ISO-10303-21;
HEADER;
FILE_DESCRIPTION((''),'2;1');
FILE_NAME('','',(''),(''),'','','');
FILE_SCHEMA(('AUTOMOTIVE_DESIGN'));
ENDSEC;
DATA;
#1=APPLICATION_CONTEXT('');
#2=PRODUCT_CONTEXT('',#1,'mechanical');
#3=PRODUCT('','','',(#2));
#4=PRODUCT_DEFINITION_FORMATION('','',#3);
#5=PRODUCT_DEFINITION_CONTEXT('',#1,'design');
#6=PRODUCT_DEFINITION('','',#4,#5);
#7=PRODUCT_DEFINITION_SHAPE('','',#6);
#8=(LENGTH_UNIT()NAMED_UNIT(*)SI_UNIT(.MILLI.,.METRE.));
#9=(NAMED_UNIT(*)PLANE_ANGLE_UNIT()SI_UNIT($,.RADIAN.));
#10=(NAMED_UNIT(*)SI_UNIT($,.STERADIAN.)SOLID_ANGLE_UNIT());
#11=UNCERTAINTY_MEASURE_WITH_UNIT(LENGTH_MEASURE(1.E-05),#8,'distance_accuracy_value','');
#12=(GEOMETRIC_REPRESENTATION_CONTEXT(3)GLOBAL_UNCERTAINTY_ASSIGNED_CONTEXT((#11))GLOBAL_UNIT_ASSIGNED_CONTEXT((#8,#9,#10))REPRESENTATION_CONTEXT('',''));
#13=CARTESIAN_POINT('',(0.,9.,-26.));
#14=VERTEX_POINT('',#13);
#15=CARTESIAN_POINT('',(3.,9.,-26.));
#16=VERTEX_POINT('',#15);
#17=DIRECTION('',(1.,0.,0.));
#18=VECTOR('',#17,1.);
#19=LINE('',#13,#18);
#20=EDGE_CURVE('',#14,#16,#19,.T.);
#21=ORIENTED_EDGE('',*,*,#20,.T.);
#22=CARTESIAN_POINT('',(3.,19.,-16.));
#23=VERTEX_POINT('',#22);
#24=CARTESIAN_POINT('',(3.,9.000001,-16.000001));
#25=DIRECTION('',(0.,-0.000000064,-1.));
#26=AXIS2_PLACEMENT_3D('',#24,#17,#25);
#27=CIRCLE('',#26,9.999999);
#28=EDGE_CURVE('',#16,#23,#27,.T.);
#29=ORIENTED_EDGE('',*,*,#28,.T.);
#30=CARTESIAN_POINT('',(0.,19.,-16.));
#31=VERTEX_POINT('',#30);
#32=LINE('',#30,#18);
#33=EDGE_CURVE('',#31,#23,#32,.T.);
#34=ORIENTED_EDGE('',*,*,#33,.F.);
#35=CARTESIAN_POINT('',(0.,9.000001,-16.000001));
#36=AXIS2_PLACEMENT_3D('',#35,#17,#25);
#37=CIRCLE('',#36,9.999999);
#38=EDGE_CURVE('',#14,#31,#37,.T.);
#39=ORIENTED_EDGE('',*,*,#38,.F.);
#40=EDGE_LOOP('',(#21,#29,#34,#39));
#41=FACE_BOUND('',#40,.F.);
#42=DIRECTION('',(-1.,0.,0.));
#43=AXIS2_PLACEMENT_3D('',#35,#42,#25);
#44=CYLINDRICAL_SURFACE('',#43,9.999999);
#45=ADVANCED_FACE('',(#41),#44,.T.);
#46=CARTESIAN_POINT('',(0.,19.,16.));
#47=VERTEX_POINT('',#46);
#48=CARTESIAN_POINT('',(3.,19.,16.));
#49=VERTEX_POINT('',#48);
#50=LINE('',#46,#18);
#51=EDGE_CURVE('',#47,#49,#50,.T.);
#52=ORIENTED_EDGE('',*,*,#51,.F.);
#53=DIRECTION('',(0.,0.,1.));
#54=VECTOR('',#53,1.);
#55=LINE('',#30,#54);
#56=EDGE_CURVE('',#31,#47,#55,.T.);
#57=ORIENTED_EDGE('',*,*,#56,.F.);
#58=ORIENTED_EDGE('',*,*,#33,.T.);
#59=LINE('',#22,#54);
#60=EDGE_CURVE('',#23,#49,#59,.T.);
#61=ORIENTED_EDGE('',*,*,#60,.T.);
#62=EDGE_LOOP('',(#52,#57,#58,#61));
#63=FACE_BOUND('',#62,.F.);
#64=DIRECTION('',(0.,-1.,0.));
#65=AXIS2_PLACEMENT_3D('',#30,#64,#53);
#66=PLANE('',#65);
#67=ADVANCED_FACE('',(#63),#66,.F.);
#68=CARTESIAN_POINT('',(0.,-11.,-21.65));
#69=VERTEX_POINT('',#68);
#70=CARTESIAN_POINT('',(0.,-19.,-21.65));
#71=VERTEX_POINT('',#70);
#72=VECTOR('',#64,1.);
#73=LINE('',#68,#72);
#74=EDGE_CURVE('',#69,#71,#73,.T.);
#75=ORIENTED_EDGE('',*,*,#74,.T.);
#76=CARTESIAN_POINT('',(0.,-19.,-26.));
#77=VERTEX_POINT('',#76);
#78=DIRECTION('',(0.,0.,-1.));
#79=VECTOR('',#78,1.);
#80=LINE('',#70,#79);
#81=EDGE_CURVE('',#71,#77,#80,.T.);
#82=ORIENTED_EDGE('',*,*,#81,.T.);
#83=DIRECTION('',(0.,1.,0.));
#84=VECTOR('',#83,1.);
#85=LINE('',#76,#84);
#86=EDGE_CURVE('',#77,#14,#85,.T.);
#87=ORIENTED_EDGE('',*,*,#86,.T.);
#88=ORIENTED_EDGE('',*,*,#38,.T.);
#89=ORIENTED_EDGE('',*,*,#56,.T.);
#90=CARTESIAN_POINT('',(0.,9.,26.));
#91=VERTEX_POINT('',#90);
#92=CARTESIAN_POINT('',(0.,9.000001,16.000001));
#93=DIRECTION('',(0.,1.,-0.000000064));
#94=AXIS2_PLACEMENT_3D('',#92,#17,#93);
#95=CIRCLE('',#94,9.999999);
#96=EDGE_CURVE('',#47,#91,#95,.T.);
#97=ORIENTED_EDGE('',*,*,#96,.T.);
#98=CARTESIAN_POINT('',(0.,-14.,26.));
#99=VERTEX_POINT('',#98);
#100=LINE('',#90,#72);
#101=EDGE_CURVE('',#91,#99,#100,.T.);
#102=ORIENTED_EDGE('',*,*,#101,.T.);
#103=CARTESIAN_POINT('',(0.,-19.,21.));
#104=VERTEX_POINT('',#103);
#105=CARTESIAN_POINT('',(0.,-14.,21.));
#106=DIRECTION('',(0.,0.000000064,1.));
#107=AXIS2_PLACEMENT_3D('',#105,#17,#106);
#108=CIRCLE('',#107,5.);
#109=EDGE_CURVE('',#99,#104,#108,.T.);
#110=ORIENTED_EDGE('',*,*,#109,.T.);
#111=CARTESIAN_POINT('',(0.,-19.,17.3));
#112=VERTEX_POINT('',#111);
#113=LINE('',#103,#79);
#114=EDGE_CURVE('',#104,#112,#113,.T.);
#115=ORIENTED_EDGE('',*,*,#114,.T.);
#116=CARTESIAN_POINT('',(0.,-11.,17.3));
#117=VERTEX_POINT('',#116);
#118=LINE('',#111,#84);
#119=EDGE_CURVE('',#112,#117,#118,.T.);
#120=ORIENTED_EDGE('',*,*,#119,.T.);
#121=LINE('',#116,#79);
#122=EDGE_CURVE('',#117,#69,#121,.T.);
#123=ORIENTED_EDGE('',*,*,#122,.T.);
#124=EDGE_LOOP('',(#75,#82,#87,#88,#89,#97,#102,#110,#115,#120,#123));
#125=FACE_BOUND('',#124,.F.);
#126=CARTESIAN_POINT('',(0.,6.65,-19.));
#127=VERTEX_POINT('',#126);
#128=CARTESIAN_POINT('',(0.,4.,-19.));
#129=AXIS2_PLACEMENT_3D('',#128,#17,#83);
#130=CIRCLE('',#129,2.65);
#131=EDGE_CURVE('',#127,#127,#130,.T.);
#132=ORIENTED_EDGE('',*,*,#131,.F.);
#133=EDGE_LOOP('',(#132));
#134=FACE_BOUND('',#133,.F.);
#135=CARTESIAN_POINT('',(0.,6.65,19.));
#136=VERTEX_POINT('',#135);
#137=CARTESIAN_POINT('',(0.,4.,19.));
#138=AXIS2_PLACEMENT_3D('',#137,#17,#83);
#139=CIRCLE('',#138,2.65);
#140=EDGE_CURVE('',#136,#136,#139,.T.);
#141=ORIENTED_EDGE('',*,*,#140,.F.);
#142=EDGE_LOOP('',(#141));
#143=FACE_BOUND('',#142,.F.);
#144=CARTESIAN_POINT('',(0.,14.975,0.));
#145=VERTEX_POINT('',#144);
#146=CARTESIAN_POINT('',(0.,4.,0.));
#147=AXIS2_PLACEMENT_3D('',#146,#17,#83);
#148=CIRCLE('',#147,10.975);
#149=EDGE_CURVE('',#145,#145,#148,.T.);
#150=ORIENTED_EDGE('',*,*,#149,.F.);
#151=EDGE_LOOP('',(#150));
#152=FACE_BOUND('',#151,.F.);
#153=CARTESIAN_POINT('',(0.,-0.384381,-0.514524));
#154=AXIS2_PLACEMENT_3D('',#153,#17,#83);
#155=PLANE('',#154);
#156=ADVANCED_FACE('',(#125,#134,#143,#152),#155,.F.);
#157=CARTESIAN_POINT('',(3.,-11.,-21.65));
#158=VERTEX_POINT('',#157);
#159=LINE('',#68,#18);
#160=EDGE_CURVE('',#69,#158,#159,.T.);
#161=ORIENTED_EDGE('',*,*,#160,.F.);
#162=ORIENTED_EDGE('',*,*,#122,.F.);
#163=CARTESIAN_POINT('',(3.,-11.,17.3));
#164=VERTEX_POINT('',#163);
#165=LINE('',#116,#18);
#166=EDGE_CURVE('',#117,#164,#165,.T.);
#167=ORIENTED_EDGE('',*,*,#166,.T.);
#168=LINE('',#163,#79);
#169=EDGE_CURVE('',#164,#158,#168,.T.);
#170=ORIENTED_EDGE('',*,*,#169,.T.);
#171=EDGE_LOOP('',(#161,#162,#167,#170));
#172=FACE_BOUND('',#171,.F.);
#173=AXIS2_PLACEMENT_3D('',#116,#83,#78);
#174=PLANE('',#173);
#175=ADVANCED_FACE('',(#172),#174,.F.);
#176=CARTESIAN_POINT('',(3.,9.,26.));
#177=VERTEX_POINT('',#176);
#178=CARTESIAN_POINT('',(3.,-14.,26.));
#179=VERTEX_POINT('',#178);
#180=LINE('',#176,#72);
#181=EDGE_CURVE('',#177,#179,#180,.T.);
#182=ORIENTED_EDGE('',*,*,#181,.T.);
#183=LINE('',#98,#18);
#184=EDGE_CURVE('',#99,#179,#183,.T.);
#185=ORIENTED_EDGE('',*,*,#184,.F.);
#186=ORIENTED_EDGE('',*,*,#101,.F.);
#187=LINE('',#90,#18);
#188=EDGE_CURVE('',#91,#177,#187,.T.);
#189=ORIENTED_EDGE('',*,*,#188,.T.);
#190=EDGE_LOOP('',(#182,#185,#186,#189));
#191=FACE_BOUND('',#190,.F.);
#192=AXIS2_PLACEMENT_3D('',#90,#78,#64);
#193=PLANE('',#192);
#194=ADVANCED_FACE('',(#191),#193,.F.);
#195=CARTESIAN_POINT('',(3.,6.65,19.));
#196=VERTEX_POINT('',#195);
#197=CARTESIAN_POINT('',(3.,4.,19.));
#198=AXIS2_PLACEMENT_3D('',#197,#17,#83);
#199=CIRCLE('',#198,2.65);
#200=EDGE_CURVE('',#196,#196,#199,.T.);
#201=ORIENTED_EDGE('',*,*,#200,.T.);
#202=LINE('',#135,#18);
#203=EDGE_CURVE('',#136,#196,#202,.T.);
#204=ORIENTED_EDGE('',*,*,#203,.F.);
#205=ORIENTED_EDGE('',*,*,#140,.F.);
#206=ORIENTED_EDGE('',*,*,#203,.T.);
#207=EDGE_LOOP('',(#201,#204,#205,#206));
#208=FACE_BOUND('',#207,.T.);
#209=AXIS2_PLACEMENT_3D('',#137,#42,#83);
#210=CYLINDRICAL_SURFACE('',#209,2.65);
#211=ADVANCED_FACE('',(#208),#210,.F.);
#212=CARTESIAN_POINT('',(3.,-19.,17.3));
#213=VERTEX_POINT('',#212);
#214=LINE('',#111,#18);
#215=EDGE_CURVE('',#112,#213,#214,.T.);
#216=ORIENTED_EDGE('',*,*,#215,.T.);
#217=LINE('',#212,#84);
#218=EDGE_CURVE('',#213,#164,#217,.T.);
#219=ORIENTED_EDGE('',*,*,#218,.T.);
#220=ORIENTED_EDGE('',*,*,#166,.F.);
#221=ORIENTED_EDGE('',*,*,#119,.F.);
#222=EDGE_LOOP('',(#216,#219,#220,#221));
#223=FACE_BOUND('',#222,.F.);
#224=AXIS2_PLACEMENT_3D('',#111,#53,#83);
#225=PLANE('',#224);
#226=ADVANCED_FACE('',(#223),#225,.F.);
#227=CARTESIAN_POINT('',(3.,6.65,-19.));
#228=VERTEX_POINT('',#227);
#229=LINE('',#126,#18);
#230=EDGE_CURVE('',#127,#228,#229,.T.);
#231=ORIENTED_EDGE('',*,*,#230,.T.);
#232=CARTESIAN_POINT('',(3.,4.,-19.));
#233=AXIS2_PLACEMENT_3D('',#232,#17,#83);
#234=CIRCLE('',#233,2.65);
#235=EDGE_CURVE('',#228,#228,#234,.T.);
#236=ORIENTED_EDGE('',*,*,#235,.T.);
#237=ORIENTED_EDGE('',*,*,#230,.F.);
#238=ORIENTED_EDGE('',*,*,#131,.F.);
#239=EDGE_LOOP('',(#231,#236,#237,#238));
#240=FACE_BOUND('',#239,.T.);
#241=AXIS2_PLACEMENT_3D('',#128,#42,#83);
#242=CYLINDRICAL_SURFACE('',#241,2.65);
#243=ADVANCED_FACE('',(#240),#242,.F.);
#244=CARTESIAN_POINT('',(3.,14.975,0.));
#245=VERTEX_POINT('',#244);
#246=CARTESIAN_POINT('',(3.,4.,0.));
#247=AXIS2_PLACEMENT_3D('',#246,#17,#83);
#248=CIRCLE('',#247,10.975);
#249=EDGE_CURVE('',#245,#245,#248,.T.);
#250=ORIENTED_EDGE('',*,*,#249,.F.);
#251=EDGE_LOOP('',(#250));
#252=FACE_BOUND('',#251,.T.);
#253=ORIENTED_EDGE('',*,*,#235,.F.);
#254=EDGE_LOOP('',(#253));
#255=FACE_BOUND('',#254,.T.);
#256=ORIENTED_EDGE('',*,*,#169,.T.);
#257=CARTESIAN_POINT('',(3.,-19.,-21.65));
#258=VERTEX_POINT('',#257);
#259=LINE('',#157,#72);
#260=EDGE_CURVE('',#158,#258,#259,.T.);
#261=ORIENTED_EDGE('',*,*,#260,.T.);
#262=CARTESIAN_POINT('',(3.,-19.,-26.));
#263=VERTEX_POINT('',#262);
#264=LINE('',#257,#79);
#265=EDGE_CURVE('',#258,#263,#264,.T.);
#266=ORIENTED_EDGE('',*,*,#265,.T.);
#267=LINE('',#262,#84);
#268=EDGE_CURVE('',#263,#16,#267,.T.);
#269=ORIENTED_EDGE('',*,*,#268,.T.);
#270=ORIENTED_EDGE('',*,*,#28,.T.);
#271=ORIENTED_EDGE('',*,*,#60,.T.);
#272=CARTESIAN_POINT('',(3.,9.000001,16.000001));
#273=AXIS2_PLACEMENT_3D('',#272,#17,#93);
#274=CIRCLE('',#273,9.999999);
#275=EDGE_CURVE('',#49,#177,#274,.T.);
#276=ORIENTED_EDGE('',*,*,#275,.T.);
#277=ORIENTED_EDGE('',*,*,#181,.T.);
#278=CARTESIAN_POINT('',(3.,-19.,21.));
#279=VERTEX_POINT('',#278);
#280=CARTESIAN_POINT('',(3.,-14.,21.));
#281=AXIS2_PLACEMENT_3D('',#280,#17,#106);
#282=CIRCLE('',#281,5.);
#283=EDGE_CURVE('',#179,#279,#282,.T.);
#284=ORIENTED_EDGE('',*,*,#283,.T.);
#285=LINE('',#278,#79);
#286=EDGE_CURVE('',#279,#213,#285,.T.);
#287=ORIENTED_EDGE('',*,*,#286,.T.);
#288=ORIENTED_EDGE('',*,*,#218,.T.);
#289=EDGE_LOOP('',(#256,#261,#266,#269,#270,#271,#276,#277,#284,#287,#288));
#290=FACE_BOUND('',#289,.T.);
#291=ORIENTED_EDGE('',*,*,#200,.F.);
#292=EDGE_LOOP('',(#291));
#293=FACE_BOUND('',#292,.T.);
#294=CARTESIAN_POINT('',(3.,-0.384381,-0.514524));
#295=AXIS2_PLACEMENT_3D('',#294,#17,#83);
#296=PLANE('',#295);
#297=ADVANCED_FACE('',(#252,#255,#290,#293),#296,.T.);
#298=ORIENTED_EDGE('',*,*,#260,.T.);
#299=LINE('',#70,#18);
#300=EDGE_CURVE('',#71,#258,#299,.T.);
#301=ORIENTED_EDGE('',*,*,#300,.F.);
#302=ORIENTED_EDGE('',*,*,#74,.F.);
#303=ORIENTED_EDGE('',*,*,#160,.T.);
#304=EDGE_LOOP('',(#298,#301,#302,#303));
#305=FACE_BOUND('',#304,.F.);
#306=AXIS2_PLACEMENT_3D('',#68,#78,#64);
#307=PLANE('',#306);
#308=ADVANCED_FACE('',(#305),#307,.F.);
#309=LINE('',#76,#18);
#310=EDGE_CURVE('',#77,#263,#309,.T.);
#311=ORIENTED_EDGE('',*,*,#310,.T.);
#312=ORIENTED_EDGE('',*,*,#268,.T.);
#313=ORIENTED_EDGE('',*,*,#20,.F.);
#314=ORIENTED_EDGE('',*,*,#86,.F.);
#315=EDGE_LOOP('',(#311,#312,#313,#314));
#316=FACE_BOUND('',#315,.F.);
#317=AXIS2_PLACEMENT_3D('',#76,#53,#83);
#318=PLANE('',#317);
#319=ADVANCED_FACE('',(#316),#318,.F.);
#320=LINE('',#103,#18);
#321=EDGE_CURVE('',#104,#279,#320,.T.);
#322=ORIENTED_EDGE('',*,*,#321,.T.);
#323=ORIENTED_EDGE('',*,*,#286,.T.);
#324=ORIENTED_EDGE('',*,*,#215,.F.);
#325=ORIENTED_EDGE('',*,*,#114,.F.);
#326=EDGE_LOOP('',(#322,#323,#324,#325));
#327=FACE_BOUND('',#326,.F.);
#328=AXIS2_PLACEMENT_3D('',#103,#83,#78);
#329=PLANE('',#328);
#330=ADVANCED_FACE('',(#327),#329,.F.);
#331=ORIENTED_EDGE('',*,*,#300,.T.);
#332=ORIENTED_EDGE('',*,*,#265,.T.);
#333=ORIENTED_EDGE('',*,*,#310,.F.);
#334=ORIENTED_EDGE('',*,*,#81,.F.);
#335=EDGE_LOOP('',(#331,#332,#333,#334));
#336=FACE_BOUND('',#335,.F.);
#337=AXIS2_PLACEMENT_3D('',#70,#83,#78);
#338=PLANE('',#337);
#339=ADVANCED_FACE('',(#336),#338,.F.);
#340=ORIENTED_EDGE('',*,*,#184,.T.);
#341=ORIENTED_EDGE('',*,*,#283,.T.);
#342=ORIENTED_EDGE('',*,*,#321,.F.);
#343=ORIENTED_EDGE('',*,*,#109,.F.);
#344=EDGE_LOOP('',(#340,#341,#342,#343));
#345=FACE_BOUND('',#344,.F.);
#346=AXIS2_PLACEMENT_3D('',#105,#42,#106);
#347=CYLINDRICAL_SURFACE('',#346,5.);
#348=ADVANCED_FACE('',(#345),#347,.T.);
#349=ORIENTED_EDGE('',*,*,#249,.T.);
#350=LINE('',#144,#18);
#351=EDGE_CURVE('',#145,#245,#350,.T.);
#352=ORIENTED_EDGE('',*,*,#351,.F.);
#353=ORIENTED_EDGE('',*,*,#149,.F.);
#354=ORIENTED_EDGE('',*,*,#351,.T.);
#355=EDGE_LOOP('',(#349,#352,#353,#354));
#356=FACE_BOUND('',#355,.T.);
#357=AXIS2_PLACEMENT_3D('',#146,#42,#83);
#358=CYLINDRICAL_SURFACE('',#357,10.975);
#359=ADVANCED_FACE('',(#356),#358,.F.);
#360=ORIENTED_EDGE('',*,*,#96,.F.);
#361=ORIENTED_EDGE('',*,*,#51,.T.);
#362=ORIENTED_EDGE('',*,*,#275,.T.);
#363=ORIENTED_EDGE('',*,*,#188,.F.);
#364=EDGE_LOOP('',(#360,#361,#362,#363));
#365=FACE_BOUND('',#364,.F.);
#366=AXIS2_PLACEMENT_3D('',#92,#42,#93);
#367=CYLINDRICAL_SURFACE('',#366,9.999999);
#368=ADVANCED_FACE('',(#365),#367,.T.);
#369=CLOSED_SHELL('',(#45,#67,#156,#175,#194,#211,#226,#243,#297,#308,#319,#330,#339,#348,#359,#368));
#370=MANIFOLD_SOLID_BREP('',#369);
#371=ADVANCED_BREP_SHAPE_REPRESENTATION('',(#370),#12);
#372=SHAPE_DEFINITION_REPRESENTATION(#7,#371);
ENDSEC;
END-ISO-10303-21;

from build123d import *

# Parameters (mm, degrees)
F0_R     = 2.65
F0_R_2   = 10.975
F1_DEPTH = 3


with BuildPart() as f1:
    # F0 (on Right) → F1 (new body)
    with BuildSketch(Plane.YZ):
        with BuildLine():
            ThreePointArc((-14, 26), (-17.535534, 24.535534), (-19, 21))
            Line((-19, 21), (-19, 17.3))
            Line((-19, 17.3), (-11, 17.3))
            Line((-11, 17.3), (-11, -21.65))
            Line((-11, -21.65), (-19, -21.65))
            Line((-19, -21.65), (-19, -26))
            Line((-19, -26), (9, -26))
            ThreePointArc((9, -26), (16.071068, -23.071068), (19, -16))
            Line((19, -16), (19, 16))
            ThreePointArc((19, 16), (16.071068, 23.071068), (9, 26))
            Line((9, 26), (-14, 26))
        make_face()
        with Locations((4, -19)):
            Circle(F0_R, mode=Mode.SUBTRACT)
        with Locations((4, 0)):
            Circle(F0_R_2, mode=Mode.SUBTRACT)
        with Locations((4, 19)):
            Circle(F0_R, mode=Mode.SUBTRACT)
    extrude(amount=F1_DEPTH)


solid = f1.part
